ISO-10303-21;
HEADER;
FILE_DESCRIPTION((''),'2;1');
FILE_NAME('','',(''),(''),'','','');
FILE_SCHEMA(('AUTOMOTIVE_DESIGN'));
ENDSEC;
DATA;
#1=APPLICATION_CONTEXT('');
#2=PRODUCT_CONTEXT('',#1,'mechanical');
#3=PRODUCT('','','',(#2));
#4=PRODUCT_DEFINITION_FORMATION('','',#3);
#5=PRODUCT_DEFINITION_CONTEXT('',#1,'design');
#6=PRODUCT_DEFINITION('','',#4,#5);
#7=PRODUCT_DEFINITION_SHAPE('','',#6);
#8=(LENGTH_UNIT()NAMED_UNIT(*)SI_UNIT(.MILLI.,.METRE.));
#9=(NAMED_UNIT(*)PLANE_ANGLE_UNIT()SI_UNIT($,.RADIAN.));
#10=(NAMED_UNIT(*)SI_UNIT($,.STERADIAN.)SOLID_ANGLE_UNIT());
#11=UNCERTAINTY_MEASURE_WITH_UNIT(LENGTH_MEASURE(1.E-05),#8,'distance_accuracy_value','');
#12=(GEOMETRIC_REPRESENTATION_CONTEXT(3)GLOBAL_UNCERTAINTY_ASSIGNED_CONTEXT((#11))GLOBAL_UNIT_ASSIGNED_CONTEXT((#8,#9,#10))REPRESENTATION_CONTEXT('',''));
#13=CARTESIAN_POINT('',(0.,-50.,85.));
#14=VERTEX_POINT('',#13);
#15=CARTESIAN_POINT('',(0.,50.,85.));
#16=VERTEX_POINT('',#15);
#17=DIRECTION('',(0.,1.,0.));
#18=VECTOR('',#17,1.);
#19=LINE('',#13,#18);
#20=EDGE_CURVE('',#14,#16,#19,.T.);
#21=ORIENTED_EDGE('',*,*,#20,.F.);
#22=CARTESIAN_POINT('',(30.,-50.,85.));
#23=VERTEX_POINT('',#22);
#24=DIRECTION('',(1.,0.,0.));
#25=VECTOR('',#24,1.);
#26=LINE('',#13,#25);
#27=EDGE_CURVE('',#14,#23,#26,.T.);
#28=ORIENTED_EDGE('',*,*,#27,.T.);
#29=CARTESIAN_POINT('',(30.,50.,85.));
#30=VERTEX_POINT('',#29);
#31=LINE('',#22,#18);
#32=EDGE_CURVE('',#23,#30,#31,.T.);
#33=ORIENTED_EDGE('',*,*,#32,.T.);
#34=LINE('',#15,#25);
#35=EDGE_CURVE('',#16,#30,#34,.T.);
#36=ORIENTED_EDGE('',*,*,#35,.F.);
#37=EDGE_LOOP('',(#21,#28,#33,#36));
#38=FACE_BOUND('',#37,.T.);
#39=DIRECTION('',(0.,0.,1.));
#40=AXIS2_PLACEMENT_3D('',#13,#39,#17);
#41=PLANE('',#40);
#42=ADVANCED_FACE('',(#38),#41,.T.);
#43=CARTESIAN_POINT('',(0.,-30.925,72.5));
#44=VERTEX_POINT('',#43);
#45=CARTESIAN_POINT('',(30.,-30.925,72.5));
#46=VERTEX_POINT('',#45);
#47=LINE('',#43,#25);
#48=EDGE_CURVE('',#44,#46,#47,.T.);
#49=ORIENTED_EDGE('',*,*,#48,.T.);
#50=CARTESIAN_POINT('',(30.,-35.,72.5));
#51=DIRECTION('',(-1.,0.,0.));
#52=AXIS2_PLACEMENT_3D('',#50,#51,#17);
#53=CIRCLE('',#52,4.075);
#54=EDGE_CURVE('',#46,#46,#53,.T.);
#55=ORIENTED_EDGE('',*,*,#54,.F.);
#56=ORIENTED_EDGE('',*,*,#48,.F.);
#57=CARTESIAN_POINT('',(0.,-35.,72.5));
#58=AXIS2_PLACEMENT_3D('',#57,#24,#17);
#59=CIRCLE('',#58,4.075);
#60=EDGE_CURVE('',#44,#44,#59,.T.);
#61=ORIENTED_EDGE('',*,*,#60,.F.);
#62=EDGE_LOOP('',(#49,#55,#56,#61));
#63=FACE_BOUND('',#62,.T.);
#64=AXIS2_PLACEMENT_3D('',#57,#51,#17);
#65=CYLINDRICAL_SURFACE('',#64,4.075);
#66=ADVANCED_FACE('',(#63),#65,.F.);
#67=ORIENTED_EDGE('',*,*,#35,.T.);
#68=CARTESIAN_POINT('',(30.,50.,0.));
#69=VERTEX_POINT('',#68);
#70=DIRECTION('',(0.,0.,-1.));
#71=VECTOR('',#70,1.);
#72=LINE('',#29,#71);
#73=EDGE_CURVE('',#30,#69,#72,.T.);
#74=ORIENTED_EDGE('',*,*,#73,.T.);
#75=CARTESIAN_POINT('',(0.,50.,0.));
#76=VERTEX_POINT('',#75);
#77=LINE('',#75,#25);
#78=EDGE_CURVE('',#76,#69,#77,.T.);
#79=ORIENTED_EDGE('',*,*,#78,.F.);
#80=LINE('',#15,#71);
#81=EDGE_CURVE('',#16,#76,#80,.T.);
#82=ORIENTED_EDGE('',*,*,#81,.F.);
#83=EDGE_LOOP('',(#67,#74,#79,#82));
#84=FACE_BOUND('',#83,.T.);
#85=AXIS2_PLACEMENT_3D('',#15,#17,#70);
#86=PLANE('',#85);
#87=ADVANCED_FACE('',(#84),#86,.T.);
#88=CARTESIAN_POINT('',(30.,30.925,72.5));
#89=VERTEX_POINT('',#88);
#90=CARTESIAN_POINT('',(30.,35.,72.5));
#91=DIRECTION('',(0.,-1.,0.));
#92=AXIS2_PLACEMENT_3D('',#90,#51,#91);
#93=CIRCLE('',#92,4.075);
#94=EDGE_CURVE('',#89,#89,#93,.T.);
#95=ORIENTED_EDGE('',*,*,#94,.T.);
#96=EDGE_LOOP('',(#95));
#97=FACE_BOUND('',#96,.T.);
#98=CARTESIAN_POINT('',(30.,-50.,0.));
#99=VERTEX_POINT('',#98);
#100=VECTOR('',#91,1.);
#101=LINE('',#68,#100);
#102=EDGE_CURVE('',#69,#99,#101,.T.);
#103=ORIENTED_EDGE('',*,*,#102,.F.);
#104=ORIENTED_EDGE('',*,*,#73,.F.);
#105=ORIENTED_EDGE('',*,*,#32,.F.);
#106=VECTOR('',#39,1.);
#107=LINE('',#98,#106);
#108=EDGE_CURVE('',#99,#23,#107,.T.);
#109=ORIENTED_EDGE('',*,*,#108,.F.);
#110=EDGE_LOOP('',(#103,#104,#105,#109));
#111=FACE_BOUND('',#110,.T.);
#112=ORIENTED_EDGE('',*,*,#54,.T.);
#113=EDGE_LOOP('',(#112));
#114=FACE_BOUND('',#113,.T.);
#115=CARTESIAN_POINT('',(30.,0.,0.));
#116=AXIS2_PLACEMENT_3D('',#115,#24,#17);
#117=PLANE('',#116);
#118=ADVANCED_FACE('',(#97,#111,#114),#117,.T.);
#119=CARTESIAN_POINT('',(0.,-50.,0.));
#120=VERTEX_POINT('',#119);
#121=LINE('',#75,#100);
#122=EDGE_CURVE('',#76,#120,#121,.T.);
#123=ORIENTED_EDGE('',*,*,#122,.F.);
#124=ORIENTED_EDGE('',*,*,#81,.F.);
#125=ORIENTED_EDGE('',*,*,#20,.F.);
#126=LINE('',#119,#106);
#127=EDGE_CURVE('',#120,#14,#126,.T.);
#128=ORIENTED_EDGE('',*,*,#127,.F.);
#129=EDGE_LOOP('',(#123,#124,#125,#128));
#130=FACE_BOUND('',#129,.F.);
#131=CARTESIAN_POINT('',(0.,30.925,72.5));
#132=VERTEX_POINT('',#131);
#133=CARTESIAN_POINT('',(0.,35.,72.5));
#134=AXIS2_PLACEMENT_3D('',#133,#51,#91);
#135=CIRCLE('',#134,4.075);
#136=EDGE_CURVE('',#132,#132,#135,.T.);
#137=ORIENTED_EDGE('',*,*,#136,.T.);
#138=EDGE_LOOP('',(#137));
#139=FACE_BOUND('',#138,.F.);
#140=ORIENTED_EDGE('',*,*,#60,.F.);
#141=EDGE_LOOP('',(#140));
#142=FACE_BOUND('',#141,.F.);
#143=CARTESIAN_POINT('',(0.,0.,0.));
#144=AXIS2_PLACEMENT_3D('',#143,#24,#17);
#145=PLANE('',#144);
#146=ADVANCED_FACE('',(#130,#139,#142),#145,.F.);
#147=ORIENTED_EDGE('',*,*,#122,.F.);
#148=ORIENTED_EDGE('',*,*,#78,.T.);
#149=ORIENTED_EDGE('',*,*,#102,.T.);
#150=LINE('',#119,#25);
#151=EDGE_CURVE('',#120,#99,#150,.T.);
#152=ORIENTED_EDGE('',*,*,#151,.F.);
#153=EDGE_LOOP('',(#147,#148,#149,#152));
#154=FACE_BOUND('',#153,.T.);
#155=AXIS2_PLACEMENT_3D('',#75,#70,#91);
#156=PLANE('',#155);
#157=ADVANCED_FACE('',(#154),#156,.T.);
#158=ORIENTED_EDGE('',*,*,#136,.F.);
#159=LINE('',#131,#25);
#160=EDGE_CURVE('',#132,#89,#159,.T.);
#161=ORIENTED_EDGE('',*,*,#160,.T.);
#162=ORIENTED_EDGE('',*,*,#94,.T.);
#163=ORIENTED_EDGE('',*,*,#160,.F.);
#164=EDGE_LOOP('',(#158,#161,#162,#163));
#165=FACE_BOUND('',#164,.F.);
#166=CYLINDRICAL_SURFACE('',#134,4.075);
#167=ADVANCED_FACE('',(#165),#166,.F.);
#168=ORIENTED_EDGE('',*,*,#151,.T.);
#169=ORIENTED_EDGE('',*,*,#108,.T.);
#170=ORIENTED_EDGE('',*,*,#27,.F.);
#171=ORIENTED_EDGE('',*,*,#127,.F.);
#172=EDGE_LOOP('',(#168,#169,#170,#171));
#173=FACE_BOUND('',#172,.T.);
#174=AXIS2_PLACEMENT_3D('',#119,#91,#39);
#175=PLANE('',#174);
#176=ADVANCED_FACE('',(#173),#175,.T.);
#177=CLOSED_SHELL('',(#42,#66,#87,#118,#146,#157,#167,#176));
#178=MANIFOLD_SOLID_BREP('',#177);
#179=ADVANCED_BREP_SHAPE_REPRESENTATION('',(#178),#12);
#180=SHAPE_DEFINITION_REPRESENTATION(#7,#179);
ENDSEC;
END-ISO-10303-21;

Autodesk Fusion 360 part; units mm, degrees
sketch "Esquisse1" plane through (0, 0, 0) normal (1, 0, 0) x (0, 1, 0)
  line L0 (-50, 85) -> (50, 85)
  line L1 (50, 85) -> (50, 0)
  line L2 (50, 0) -> (-50, 0)
  line L3 (-50, 0) -> (-50, 85)
  line L4 (0, 1.75) -> (0, 22.5)
  dimension "d1" = 85
  dimension "d2" = 100
extrude "Extrusion1" add sketch "Esquisse1" along normal blind 30
sketch "Esquisse2" plane through (0, 0, 0) normal (-1, 0, 0) x (0, -1, 0)
  line L0 (-50, 0) -> (50, 0)
  line L1 (50, 0) -> (50, 85)
  line L2 (50, 85) -> (-50, 85)
  line L3 (-50, 85) -> (-50, 0)
  circle A0 centre (-35, 72.5) radius 4.075
  line L4 (0, 1.75) -> (0, 22.5)
  dimension "d5" = 8.15
  dimension "d6" = 12.5
  dimension "d7" = 35
extrude "Extrusion2" cut sketch "Esquisse2" against normal blind 40 contours A0
mirror "Symétrie miroir1" about plane through (0, 0, 0) normal (0, 1, 0) of "Extrusion2"
equation "d7 = ( 70 / 2 ) * 1 mm"
